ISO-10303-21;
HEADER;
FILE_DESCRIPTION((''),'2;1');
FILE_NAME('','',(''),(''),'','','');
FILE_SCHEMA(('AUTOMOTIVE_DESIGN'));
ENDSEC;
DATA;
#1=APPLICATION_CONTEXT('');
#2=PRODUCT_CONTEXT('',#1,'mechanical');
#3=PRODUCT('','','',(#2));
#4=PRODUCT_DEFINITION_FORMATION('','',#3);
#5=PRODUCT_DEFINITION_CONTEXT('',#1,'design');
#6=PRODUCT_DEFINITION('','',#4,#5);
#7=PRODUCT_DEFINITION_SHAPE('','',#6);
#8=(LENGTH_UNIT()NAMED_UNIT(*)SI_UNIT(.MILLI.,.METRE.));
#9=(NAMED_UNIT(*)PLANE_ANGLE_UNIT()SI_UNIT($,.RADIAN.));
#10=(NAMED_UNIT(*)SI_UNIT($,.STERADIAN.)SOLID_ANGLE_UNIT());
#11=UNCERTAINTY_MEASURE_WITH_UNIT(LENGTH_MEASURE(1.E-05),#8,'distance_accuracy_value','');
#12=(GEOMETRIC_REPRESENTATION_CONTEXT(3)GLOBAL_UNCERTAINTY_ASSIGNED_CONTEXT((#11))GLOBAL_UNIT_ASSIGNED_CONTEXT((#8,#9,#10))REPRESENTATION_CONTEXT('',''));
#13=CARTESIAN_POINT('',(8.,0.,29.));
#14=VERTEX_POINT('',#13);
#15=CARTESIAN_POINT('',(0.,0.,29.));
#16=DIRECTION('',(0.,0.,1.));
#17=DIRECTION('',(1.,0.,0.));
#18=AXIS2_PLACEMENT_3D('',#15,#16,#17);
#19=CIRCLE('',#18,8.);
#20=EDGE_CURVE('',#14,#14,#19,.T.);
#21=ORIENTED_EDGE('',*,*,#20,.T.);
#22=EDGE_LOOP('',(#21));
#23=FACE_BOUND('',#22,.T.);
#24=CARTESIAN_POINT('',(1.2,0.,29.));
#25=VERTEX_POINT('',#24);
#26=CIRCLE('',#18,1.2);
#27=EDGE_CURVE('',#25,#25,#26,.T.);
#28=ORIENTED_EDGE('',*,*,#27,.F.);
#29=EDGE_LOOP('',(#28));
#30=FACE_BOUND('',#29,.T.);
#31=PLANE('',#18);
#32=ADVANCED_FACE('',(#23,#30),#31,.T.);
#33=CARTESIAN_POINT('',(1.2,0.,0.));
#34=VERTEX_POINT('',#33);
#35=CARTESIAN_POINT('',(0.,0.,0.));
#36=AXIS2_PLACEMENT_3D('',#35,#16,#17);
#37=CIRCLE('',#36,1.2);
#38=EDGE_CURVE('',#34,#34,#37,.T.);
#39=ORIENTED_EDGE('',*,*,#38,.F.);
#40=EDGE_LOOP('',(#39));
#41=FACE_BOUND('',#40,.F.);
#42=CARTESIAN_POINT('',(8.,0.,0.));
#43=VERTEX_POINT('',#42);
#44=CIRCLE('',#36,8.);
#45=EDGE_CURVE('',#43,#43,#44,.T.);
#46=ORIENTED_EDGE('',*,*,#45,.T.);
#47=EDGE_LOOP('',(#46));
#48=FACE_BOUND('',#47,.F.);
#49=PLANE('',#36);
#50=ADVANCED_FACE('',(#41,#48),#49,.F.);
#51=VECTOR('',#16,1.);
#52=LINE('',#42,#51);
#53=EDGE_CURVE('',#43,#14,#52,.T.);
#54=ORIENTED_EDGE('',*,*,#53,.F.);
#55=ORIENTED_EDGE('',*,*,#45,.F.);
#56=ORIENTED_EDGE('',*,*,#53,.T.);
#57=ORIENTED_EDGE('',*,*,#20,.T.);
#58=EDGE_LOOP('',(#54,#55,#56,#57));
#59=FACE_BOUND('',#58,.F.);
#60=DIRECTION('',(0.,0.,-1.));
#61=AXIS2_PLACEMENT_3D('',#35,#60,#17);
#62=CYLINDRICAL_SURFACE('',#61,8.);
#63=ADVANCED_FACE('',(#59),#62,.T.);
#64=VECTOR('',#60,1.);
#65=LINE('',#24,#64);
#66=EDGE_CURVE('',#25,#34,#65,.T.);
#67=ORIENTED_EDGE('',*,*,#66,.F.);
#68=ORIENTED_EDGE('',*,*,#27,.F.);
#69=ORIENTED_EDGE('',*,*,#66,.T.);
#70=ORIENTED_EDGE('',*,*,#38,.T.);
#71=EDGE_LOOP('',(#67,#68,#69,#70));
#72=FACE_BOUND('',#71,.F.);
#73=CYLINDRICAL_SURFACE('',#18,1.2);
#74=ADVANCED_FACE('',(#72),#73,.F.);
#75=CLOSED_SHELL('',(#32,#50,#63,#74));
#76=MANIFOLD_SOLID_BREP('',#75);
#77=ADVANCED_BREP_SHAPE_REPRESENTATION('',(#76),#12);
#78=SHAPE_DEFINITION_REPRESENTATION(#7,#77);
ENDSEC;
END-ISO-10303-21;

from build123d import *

# Parameters (mm, degrees)
SKETCH_R     = 8
PAD_DEPTH    = 29
SKETCH001_R  = 1.2
POCKET_DEPTH = 31


with BuildPart() as part:
    # Sketch → Pad (new body)
    with BuildSketch(Plane.XY):
        Circle(SKETCH_R)
    extrude(amount=PAD_DEPTH)

    # Sketch001 (on Face3 of Pad) → Pocket (cut)
    with BuildSketch(Plane.XY.offset(29)):
        Circle(SKETCH001_R)
    extrude(amount=-POCKET_DEPTH, mode=Mode.SUBTRACT)


solid = part.part
